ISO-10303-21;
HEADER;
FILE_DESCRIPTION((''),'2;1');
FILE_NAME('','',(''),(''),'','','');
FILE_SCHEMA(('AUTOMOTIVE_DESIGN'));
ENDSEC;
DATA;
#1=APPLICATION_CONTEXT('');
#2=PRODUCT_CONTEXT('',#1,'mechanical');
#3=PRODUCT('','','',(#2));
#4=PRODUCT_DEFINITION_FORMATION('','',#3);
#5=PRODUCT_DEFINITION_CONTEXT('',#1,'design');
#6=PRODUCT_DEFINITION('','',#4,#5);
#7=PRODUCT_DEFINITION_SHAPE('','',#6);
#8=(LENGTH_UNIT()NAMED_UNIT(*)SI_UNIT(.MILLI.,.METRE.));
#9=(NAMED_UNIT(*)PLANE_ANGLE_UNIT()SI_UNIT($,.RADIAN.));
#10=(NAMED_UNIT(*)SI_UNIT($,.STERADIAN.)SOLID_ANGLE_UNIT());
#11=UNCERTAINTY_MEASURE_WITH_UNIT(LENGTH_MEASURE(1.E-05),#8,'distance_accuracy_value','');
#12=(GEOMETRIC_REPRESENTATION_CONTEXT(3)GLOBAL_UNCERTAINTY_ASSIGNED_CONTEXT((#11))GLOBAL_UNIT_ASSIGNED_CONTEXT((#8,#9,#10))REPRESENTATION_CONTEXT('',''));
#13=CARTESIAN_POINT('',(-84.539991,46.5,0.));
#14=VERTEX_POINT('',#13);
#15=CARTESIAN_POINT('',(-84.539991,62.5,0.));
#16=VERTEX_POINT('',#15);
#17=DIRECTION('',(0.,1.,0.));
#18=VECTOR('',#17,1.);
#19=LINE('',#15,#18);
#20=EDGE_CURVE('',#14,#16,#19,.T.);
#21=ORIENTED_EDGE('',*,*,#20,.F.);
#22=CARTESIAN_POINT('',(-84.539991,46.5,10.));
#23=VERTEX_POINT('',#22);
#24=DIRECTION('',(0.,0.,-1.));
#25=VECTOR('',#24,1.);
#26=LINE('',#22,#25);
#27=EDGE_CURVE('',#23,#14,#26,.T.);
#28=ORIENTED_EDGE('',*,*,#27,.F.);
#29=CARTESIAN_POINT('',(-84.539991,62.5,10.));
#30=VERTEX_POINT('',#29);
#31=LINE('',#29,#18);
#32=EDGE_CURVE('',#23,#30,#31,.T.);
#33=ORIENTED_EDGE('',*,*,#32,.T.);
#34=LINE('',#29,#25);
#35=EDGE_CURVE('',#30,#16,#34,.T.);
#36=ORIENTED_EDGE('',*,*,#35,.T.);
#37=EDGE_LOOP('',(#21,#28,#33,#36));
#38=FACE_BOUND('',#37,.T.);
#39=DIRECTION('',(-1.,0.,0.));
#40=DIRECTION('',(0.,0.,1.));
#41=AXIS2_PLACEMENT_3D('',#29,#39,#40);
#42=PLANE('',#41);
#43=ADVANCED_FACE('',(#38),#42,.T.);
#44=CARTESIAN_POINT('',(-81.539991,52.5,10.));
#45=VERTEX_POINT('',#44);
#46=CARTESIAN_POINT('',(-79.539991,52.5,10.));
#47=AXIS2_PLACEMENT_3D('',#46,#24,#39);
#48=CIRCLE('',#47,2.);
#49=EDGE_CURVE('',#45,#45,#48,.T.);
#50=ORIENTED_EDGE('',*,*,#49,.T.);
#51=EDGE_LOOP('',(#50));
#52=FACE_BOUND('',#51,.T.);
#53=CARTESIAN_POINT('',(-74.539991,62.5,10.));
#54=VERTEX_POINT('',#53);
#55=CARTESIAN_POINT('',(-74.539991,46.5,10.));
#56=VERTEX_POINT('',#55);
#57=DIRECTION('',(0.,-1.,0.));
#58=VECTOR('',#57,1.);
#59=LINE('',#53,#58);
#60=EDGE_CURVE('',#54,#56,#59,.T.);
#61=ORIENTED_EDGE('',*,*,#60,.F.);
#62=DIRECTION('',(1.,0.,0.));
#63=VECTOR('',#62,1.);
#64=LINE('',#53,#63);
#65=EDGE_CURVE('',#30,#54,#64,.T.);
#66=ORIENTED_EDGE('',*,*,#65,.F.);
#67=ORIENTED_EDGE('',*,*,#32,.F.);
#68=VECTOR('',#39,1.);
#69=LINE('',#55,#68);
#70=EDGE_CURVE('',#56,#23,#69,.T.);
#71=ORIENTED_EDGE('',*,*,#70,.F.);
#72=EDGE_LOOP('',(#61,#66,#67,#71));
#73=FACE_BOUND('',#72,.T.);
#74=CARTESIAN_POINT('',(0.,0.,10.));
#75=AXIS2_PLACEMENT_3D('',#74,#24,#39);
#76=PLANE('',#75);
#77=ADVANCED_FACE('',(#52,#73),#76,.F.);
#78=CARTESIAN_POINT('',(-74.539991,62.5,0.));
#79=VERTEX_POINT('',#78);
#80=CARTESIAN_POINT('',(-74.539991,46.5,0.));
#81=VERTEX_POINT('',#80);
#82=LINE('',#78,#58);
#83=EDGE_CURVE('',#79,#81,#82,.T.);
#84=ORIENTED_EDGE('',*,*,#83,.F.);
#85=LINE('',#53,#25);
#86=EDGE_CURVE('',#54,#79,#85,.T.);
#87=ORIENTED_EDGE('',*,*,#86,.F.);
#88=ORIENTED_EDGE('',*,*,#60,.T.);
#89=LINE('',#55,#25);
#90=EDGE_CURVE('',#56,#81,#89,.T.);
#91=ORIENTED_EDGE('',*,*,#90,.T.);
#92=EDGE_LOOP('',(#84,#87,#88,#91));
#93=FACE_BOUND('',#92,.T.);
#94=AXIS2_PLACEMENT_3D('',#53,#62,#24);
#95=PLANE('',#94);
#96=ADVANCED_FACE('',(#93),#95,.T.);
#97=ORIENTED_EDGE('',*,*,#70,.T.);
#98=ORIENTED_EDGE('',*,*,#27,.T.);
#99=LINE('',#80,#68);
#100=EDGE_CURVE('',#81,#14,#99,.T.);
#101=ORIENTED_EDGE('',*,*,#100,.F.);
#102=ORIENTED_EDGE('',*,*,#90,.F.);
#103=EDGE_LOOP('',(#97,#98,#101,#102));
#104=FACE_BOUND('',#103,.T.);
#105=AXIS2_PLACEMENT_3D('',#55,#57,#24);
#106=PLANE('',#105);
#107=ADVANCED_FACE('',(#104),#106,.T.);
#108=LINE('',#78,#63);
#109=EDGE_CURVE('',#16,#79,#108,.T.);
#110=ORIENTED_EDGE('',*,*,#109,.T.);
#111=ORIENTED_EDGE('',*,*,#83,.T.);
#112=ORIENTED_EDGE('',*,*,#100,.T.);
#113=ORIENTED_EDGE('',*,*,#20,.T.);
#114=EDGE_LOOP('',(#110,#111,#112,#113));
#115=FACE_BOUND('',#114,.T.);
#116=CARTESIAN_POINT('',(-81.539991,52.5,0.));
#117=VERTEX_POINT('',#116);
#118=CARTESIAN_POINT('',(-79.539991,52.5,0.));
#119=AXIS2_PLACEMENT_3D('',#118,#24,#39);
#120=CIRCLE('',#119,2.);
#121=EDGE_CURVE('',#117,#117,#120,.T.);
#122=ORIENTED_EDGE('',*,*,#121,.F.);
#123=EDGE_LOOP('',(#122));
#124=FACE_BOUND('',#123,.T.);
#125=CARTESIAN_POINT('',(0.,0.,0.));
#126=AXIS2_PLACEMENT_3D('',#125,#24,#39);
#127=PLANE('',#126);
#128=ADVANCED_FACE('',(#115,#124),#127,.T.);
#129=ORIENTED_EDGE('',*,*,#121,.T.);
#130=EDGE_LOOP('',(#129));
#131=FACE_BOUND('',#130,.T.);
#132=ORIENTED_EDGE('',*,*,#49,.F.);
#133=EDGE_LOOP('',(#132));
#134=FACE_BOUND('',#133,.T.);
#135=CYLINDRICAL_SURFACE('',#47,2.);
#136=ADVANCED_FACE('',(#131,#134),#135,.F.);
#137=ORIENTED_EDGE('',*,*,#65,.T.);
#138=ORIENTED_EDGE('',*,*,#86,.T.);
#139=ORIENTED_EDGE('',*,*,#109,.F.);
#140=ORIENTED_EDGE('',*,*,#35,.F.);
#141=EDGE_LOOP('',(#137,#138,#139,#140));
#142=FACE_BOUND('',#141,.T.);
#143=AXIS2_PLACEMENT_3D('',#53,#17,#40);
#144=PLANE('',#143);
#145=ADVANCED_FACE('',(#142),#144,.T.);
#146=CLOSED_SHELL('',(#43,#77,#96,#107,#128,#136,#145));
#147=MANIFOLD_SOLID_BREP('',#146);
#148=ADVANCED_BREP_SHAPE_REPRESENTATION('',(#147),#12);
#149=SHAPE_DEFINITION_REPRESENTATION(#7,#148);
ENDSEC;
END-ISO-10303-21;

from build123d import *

# Parameters (mm, degrees)
SKETCH1_W           = 10
SKETCH1_H           = 16
SKETCH1_R           = 2
BOSS_EXTRUDE1_DEPTH = 10


with BuildPart() as part:
    # Sketch1 → Boss-Extrude1 (new body)
    with BuildSketch(Plane(origin=(0, 0, 0), x_dir=(-1.0, 0, 8.723016310561762e-12), z_dir=(-8.723016310561762e-12, 5.3094256425393756e-15, -1.0))):
        with Locations((79.539990831, 54.5)):
            Rectangle(SKETCH1_W, SKETCH1_H)
        with Locations((79.539990831, 52.5)):
            Circle(SKETCH1_R, mode=Mode.SUBTRACT)
    extrude(amount=-BOSS_EXTRUDE1_DEPTH)


solid = part.part
